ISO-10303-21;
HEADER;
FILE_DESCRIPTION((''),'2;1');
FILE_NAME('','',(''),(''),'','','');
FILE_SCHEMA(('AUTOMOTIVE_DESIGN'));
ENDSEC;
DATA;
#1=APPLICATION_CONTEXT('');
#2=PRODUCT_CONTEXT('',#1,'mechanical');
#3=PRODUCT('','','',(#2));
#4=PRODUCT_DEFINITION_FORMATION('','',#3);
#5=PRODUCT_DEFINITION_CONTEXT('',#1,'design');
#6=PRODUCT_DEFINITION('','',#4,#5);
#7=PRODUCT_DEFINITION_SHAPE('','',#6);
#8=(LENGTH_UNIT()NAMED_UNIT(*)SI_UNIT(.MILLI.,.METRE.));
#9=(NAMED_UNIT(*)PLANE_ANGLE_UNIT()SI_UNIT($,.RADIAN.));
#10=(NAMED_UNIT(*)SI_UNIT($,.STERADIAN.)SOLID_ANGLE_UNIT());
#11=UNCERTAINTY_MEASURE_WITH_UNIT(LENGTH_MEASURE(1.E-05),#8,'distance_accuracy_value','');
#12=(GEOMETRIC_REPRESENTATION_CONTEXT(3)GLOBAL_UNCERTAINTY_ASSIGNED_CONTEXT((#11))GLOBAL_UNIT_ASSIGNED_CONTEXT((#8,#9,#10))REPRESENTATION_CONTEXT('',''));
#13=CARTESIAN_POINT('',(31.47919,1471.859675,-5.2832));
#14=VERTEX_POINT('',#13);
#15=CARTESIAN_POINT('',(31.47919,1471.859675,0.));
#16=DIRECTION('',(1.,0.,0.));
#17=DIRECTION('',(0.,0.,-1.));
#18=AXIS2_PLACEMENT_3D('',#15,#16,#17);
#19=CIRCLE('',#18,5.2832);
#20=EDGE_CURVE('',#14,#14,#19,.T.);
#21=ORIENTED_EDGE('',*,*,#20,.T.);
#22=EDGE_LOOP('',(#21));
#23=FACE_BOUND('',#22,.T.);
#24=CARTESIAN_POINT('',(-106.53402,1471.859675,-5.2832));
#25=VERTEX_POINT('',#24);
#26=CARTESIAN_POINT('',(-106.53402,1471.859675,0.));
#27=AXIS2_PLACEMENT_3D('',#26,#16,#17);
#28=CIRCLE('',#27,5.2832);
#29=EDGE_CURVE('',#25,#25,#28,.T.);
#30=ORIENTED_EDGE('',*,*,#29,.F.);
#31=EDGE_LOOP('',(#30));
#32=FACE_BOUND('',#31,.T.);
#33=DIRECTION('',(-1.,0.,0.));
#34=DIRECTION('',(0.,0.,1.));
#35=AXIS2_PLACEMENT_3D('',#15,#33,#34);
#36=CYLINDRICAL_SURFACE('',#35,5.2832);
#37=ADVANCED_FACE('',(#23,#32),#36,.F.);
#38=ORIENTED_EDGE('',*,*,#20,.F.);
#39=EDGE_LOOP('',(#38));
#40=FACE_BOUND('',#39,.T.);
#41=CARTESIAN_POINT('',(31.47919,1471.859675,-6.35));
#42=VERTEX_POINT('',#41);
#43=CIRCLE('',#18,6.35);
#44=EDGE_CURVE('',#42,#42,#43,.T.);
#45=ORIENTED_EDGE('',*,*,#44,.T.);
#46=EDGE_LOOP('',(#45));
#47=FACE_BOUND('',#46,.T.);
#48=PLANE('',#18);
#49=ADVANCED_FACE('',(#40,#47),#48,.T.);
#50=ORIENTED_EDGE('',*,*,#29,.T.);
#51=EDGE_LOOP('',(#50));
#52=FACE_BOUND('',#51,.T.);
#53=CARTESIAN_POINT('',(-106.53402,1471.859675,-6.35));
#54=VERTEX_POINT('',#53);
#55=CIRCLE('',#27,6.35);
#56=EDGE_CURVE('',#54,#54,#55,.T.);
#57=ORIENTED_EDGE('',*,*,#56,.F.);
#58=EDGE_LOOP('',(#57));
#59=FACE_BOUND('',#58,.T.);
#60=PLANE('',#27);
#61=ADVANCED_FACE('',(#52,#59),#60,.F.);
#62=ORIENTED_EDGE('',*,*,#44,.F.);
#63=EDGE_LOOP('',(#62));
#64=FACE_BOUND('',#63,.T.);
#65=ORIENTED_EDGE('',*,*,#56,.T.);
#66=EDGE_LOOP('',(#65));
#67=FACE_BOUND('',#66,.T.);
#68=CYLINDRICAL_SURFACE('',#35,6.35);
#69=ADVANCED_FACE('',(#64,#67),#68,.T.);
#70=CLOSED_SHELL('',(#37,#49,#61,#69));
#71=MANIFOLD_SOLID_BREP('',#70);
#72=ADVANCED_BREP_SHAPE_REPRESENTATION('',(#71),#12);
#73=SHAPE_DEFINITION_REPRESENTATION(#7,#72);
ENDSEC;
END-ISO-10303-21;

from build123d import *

# Parameters (mm, degrees)
SKETCH11_R              = 6.35
SKETCH11_R_2            = 5.2832
PIPE_0_5_SCH_40_1_DEPTH = 138.013209953


with BuildPart() as part:
    # Sketch11 → Pipe 0.5 SCH 40(1) (new body)
    with BuildSketch(Plane(origin=(-106.534019987, 1471.859674504, 0), x_dir=(0, 1, 0), z_dir=(1, 0, 0))):
        Circle(SKETCH11_R)
        Circle(SKETCH11_R_2, mode=Mode.SUBTRACT)
    extrude(amount=PIPE_0_5_SCH_40_1_DEPTH)


solid = part.part
